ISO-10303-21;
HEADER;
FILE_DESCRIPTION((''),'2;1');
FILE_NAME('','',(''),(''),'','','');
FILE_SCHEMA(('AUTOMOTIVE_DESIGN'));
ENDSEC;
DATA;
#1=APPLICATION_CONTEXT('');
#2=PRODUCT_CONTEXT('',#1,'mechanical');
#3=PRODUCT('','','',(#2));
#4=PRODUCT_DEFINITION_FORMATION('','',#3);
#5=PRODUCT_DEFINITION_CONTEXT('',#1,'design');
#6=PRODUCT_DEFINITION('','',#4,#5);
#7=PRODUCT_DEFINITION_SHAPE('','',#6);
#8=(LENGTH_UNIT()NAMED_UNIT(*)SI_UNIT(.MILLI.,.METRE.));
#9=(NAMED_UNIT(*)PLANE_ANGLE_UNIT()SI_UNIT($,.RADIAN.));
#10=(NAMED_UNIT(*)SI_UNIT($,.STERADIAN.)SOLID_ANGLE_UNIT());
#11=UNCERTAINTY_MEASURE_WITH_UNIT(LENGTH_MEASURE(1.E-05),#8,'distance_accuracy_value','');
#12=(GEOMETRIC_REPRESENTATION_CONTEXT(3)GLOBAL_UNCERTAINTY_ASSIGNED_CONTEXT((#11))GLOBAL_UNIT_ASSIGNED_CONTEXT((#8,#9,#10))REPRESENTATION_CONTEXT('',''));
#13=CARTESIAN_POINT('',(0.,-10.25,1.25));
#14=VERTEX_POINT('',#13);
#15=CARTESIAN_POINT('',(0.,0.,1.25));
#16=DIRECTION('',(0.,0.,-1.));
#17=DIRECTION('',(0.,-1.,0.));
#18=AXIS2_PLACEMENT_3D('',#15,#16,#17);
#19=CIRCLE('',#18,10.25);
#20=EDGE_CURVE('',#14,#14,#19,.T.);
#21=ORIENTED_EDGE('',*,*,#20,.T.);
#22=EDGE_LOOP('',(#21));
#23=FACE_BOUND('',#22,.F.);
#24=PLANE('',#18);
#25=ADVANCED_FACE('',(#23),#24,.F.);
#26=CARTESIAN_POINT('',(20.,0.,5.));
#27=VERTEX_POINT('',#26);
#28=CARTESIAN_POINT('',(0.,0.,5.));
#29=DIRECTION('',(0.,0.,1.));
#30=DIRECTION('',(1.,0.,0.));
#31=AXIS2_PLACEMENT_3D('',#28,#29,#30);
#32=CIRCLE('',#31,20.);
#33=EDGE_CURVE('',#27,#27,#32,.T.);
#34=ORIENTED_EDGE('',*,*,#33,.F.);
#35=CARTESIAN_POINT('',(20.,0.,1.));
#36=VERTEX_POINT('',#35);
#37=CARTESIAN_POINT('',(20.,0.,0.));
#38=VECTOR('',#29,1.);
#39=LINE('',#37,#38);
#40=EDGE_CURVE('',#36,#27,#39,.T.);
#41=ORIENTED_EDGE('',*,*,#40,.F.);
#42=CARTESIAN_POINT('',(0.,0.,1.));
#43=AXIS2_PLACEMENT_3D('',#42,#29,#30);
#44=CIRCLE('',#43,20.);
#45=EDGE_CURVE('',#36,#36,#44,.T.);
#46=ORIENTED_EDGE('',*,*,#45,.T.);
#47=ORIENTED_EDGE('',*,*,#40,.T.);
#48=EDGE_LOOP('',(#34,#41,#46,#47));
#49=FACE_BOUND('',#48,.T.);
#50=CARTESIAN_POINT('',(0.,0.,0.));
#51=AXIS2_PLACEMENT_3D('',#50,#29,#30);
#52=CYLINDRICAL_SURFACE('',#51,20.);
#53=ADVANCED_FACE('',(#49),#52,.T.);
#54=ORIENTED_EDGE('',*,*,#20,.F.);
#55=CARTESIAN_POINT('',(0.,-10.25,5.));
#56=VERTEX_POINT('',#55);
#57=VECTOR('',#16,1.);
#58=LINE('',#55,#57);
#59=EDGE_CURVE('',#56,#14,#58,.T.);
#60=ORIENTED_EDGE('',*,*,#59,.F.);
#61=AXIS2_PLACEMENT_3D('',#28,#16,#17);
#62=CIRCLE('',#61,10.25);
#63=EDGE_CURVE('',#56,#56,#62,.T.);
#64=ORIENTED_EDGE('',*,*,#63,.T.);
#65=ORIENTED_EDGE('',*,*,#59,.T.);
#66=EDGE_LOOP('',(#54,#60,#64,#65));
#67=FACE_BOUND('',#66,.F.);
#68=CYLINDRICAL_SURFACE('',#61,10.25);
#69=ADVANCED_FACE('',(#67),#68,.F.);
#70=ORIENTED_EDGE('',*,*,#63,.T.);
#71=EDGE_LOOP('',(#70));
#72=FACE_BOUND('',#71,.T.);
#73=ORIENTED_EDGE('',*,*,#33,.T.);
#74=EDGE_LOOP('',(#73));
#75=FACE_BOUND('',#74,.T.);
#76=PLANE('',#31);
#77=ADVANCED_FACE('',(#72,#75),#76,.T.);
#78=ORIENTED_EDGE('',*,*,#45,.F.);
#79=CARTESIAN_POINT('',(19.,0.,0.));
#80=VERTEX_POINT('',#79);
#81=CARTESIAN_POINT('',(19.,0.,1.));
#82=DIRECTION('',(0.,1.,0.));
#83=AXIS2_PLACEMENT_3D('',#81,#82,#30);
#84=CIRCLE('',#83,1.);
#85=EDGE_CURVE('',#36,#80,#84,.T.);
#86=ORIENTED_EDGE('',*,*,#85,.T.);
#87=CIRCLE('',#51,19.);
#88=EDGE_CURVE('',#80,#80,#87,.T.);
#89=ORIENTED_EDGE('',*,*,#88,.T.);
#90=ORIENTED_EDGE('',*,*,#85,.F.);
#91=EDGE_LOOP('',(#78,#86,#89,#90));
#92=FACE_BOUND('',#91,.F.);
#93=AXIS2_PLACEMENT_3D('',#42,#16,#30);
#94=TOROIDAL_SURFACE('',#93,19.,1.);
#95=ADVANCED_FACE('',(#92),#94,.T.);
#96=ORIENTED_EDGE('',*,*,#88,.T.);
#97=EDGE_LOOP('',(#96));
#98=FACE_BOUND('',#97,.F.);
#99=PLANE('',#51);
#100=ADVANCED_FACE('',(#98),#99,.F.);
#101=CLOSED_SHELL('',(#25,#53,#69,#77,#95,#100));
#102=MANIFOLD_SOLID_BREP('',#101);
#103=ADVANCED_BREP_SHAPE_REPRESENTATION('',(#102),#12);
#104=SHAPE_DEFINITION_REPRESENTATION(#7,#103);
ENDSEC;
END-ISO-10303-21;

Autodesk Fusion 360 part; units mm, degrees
cylinder "CylinderPrimitive1" add diameter 40 height 5 placed x (1, 0, 0) y (0, 1, 0) z (0, 0, 1) at (0, 0, 0)
hole "Hole1" at (0, 0, 5) direction (0, 0, -1) diameter 20.5 depth 3.75 tip angle 180
fillet "Fillet1" radius 1 1 edges at (-18.6465, 7.2323, 0)
